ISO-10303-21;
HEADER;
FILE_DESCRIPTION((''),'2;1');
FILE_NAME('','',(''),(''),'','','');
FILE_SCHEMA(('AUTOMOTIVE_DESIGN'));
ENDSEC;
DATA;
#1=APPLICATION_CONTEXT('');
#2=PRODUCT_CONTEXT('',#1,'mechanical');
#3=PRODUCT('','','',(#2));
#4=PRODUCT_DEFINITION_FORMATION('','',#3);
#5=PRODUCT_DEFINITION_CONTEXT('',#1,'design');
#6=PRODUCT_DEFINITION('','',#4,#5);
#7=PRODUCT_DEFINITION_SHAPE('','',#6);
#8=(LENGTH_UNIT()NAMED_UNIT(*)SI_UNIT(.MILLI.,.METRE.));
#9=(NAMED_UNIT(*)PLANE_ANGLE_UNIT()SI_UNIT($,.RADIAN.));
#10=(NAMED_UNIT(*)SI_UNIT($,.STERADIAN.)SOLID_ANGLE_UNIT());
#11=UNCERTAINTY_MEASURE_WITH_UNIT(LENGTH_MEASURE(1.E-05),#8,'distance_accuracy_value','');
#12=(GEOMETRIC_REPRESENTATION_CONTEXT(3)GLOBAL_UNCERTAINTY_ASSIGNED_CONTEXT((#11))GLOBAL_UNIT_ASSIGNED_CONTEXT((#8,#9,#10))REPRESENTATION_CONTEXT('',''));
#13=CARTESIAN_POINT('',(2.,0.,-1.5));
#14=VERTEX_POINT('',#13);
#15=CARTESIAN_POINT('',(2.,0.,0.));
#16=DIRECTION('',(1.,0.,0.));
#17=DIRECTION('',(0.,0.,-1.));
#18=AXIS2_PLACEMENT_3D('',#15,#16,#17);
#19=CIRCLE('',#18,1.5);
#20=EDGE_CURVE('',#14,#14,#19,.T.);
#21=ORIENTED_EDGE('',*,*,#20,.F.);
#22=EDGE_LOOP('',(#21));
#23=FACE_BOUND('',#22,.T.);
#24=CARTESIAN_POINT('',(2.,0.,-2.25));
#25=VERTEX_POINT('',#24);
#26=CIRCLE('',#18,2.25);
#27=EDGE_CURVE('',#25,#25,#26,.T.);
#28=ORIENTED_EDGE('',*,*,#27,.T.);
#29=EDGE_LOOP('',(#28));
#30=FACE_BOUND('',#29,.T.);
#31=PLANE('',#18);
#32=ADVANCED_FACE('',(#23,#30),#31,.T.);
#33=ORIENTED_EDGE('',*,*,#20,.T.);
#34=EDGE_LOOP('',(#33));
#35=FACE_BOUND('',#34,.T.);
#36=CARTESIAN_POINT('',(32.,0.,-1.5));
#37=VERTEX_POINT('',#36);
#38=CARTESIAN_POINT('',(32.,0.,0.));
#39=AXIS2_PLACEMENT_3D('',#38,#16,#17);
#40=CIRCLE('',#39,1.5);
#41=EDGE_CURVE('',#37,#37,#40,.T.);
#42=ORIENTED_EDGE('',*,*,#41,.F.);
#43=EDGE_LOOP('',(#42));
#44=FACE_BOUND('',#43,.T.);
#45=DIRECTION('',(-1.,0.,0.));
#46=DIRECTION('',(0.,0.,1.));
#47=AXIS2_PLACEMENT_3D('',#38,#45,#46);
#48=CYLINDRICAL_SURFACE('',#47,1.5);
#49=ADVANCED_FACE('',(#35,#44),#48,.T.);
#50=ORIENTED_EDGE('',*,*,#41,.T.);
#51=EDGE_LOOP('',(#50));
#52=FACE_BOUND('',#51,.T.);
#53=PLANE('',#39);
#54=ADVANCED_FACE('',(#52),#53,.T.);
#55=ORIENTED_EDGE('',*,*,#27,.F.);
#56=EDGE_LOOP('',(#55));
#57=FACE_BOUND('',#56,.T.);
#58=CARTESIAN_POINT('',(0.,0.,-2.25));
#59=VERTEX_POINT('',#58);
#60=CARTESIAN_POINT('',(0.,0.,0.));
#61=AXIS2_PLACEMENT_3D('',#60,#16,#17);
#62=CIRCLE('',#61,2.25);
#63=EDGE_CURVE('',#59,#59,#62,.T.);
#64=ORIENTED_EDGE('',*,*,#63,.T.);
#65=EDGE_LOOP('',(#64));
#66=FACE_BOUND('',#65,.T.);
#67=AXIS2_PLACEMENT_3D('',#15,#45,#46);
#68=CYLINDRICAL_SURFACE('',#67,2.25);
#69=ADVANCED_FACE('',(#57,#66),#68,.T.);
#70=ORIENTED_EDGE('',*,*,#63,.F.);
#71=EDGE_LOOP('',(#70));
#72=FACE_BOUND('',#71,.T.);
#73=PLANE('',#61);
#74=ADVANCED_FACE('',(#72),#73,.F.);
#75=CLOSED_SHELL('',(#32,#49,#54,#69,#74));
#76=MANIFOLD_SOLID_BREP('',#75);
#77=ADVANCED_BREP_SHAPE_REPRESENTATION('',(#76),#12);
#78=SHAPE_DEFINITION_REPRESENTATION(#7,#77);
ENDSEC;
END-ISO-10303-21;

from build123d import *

# Parameters (mm, degrees)
SKETCH1_R           = 2.25
BOSS_EXTRUDE1_DEPTH = 2
SKETCH2_R           = 1.5
BOSS_EXTRUDE2_DEPTH = 30


with BuildPart() as part:
    # Sketch1 → Boss-Extrude1 (new body)
    with BuildSketch(Plane(origin=(0, 0, 0), x_dir=(0, 0, -1), z_dir=(1, 0, 0))):
        Circle(SKETCH1_R)
    extrude(amount=BOSS_EXTRUDE1_DEPTH)

    # Sketch2 → Boss-Extrude2 (add)
    with BuildSketch(Plane(origin=(2, 0, 0), x_dir=(0, 0, -1), z_dir=(1, 0, 0))):
        Circle(SKETCH2_R)
    extrude(amount=BOSS_EXTRUDE2_DEPTH)


solid = part.part
